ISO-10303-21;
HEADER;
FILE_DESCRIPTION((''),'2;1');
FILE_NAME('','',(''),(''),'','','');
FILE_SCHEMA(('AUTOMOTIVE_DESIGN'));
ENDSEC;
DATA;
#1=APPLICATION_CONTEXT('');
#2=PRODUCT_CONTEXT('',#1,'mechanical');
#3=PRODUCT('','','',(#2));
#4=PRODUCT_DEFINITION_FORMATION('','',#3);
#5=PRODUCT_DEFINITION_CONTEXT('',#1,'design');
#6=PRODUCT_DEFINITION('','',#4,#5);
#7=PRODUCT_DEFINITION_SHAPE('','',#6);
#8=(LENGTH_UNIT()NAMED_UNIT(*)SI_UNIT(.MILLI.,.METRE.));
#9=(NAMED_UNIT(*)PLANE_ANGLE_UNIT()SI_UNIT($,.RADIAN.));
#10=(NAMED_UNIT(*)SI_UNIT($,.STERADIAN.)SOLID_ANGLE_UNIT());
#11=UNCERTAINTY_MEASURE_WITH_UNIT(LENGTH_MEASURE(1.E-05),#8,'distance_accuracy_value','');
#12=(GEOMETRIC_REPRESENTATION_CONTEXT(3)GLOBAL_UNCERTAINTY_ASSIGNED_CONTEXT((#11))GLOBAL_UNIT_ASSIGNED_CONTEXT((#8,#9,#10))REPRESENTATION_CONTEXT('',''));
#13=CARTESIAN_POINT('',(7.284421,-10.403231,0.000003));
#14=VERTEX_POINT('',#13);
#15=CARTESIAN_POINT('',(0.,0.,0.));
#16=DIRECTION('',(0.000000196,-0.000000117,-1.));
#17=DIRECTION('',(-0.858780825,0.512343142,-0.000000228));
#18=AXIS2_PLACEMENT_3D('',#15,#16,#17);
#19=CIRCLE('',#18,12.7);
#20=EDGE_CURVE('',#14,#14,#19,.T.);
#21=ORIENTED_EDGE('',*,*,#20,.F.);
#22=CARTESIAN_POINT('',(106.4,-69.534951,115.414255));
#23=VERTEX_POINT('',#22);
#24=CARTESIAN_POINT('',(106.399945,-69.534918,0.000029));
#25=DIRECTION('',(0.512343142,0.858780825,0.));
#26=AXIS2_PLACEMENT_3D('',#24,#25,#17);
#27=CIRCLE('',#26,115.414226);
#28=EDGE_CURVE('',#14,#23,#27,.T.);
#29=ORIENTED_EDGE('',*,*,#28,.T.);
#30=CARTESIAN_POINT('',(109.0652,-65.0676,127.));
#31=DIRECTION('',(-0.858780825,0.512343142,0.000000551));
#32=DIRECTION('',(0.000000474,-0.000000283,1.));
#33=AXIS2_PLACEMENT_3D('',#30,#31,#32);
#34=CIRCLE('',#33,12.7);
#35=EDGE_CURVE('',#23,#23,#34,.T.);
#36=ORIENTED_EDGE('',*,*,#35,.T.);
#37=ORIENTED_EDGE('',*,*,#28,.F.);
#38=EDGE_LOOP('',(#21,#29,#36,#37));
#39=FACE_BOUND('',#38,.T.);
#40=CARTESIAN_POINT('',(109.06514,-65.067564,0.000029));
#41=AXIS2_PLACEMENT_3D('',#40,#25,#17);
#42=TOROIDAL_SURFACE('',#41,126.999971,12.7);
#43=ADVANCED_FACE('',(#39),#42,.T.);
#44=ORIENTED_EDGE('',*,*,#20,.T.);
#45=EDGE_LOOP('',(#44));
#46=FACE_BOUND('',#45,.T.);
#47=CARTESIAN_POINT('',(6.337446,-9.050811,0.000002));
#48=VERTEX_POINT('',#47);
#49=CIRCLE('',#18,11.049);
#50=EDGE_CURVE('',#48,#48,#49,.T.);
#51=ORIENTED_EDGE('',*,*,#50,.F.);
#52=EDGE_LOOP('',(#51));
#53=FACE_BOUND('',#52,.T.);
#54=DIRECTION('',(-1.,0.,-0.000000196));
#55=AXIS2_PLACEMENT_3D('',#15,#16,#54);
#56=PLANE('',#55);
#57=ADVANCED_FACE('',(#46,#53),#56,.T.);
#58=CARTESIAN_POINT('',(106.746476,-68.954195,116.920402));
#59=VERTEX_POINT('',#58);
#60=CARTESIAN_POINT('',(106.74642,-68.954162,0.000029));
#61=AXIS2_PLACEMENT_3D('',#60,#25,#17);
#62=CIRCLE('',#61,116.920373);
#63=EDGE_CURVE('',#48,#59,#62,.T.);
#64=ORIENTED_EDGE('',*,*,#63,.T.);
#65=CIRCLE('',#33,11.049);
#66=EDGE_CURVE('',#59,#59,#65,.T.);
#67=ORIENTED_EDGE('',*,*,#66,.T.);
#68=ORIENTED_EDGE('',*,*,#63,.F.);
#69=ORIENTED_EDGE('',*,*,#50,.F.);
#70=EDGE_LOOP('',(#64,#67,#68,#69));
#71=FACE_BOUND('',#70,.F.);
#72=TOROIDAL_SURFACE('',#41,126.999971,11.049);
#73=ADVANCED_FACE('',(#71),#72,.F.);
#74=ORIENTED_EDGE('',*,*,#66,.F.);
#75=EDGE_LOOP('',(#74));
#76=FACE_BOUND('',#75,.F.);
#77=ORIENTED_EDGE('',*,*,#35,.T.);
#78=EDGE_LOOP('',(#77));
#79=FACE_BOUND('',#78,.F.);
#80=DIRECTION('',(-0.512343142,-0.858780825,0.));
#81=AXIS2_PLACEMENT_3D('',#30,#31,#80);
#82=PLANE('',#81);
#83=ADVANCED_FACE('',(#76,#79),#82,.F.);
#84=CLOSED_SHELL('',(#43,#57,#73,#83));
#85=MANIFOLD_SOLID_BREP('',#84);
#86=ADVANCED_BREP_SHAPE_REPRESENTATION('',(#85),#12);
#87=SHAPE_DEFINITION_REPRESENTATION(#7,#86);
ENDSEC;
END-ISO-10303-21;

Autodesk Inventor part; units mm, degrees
sketch "Sketch" plane through (0, 0, 0) normal (0, 0, -1) x (0.5736, -0.8192, 0)
  circle A0 centre (0, 0) radius 12.7
  circle A1 centre (0, 0) radius 11.049
  dimension "d0" = 25.4
  dimension "d1" = 1.651
ref_plane "Start Plane" through (0, 0, 0) normal (1, 0, 0) x (0, 1, 0)
ref_plane "End Plane" through (199.4911, 0, 0) normal (1, 0, 0) x (0, 1, 0)
sketch "Sketch2" plane through (0, 0, 0) normal (1, 0, 0) x (0, 1, 0)
  line L0 (0, 0) -> (10, 0)
ref_plane "Work Plane3" through (0, 0, 0) normal (0, 0, -1) x (0, 1, 0)
sketch "Sketch3" plane through (0, 0, 0) normal (0, 0, -1) x (0, 1, 0)
  line L0 (-2, 0) -> (12, 0)
  line L1 (-93.7089, 199.4911) -> (30.4348, 199.4911)
  dimension "d9" = 199.4911
ref_plane "Orientation Work Plane" through (0, 0, 0) normal (0, 0, -1) x (0.5736, -0.8192, 0)
sketch3d "Sweep Path"
  arc A0 (0, 0, 0) -> (109.0652, -65.0676, 127) centre (109.0652, -65.0676, 0) ccw
sweep "Body" add profiles "Sketch" path "Sweep Path"
equation "\"G_OFFSET_START\" = 0"
equation "\"G_OFFSET_END\" = 0"
equation "\"d5\" = d2 + G_OFFSET_END"
equation "\"G_L\" = d9"
equation "\"d2\" = 199.491133"
properties part number "4130_1x0.065" material "Steel, Alloy"
